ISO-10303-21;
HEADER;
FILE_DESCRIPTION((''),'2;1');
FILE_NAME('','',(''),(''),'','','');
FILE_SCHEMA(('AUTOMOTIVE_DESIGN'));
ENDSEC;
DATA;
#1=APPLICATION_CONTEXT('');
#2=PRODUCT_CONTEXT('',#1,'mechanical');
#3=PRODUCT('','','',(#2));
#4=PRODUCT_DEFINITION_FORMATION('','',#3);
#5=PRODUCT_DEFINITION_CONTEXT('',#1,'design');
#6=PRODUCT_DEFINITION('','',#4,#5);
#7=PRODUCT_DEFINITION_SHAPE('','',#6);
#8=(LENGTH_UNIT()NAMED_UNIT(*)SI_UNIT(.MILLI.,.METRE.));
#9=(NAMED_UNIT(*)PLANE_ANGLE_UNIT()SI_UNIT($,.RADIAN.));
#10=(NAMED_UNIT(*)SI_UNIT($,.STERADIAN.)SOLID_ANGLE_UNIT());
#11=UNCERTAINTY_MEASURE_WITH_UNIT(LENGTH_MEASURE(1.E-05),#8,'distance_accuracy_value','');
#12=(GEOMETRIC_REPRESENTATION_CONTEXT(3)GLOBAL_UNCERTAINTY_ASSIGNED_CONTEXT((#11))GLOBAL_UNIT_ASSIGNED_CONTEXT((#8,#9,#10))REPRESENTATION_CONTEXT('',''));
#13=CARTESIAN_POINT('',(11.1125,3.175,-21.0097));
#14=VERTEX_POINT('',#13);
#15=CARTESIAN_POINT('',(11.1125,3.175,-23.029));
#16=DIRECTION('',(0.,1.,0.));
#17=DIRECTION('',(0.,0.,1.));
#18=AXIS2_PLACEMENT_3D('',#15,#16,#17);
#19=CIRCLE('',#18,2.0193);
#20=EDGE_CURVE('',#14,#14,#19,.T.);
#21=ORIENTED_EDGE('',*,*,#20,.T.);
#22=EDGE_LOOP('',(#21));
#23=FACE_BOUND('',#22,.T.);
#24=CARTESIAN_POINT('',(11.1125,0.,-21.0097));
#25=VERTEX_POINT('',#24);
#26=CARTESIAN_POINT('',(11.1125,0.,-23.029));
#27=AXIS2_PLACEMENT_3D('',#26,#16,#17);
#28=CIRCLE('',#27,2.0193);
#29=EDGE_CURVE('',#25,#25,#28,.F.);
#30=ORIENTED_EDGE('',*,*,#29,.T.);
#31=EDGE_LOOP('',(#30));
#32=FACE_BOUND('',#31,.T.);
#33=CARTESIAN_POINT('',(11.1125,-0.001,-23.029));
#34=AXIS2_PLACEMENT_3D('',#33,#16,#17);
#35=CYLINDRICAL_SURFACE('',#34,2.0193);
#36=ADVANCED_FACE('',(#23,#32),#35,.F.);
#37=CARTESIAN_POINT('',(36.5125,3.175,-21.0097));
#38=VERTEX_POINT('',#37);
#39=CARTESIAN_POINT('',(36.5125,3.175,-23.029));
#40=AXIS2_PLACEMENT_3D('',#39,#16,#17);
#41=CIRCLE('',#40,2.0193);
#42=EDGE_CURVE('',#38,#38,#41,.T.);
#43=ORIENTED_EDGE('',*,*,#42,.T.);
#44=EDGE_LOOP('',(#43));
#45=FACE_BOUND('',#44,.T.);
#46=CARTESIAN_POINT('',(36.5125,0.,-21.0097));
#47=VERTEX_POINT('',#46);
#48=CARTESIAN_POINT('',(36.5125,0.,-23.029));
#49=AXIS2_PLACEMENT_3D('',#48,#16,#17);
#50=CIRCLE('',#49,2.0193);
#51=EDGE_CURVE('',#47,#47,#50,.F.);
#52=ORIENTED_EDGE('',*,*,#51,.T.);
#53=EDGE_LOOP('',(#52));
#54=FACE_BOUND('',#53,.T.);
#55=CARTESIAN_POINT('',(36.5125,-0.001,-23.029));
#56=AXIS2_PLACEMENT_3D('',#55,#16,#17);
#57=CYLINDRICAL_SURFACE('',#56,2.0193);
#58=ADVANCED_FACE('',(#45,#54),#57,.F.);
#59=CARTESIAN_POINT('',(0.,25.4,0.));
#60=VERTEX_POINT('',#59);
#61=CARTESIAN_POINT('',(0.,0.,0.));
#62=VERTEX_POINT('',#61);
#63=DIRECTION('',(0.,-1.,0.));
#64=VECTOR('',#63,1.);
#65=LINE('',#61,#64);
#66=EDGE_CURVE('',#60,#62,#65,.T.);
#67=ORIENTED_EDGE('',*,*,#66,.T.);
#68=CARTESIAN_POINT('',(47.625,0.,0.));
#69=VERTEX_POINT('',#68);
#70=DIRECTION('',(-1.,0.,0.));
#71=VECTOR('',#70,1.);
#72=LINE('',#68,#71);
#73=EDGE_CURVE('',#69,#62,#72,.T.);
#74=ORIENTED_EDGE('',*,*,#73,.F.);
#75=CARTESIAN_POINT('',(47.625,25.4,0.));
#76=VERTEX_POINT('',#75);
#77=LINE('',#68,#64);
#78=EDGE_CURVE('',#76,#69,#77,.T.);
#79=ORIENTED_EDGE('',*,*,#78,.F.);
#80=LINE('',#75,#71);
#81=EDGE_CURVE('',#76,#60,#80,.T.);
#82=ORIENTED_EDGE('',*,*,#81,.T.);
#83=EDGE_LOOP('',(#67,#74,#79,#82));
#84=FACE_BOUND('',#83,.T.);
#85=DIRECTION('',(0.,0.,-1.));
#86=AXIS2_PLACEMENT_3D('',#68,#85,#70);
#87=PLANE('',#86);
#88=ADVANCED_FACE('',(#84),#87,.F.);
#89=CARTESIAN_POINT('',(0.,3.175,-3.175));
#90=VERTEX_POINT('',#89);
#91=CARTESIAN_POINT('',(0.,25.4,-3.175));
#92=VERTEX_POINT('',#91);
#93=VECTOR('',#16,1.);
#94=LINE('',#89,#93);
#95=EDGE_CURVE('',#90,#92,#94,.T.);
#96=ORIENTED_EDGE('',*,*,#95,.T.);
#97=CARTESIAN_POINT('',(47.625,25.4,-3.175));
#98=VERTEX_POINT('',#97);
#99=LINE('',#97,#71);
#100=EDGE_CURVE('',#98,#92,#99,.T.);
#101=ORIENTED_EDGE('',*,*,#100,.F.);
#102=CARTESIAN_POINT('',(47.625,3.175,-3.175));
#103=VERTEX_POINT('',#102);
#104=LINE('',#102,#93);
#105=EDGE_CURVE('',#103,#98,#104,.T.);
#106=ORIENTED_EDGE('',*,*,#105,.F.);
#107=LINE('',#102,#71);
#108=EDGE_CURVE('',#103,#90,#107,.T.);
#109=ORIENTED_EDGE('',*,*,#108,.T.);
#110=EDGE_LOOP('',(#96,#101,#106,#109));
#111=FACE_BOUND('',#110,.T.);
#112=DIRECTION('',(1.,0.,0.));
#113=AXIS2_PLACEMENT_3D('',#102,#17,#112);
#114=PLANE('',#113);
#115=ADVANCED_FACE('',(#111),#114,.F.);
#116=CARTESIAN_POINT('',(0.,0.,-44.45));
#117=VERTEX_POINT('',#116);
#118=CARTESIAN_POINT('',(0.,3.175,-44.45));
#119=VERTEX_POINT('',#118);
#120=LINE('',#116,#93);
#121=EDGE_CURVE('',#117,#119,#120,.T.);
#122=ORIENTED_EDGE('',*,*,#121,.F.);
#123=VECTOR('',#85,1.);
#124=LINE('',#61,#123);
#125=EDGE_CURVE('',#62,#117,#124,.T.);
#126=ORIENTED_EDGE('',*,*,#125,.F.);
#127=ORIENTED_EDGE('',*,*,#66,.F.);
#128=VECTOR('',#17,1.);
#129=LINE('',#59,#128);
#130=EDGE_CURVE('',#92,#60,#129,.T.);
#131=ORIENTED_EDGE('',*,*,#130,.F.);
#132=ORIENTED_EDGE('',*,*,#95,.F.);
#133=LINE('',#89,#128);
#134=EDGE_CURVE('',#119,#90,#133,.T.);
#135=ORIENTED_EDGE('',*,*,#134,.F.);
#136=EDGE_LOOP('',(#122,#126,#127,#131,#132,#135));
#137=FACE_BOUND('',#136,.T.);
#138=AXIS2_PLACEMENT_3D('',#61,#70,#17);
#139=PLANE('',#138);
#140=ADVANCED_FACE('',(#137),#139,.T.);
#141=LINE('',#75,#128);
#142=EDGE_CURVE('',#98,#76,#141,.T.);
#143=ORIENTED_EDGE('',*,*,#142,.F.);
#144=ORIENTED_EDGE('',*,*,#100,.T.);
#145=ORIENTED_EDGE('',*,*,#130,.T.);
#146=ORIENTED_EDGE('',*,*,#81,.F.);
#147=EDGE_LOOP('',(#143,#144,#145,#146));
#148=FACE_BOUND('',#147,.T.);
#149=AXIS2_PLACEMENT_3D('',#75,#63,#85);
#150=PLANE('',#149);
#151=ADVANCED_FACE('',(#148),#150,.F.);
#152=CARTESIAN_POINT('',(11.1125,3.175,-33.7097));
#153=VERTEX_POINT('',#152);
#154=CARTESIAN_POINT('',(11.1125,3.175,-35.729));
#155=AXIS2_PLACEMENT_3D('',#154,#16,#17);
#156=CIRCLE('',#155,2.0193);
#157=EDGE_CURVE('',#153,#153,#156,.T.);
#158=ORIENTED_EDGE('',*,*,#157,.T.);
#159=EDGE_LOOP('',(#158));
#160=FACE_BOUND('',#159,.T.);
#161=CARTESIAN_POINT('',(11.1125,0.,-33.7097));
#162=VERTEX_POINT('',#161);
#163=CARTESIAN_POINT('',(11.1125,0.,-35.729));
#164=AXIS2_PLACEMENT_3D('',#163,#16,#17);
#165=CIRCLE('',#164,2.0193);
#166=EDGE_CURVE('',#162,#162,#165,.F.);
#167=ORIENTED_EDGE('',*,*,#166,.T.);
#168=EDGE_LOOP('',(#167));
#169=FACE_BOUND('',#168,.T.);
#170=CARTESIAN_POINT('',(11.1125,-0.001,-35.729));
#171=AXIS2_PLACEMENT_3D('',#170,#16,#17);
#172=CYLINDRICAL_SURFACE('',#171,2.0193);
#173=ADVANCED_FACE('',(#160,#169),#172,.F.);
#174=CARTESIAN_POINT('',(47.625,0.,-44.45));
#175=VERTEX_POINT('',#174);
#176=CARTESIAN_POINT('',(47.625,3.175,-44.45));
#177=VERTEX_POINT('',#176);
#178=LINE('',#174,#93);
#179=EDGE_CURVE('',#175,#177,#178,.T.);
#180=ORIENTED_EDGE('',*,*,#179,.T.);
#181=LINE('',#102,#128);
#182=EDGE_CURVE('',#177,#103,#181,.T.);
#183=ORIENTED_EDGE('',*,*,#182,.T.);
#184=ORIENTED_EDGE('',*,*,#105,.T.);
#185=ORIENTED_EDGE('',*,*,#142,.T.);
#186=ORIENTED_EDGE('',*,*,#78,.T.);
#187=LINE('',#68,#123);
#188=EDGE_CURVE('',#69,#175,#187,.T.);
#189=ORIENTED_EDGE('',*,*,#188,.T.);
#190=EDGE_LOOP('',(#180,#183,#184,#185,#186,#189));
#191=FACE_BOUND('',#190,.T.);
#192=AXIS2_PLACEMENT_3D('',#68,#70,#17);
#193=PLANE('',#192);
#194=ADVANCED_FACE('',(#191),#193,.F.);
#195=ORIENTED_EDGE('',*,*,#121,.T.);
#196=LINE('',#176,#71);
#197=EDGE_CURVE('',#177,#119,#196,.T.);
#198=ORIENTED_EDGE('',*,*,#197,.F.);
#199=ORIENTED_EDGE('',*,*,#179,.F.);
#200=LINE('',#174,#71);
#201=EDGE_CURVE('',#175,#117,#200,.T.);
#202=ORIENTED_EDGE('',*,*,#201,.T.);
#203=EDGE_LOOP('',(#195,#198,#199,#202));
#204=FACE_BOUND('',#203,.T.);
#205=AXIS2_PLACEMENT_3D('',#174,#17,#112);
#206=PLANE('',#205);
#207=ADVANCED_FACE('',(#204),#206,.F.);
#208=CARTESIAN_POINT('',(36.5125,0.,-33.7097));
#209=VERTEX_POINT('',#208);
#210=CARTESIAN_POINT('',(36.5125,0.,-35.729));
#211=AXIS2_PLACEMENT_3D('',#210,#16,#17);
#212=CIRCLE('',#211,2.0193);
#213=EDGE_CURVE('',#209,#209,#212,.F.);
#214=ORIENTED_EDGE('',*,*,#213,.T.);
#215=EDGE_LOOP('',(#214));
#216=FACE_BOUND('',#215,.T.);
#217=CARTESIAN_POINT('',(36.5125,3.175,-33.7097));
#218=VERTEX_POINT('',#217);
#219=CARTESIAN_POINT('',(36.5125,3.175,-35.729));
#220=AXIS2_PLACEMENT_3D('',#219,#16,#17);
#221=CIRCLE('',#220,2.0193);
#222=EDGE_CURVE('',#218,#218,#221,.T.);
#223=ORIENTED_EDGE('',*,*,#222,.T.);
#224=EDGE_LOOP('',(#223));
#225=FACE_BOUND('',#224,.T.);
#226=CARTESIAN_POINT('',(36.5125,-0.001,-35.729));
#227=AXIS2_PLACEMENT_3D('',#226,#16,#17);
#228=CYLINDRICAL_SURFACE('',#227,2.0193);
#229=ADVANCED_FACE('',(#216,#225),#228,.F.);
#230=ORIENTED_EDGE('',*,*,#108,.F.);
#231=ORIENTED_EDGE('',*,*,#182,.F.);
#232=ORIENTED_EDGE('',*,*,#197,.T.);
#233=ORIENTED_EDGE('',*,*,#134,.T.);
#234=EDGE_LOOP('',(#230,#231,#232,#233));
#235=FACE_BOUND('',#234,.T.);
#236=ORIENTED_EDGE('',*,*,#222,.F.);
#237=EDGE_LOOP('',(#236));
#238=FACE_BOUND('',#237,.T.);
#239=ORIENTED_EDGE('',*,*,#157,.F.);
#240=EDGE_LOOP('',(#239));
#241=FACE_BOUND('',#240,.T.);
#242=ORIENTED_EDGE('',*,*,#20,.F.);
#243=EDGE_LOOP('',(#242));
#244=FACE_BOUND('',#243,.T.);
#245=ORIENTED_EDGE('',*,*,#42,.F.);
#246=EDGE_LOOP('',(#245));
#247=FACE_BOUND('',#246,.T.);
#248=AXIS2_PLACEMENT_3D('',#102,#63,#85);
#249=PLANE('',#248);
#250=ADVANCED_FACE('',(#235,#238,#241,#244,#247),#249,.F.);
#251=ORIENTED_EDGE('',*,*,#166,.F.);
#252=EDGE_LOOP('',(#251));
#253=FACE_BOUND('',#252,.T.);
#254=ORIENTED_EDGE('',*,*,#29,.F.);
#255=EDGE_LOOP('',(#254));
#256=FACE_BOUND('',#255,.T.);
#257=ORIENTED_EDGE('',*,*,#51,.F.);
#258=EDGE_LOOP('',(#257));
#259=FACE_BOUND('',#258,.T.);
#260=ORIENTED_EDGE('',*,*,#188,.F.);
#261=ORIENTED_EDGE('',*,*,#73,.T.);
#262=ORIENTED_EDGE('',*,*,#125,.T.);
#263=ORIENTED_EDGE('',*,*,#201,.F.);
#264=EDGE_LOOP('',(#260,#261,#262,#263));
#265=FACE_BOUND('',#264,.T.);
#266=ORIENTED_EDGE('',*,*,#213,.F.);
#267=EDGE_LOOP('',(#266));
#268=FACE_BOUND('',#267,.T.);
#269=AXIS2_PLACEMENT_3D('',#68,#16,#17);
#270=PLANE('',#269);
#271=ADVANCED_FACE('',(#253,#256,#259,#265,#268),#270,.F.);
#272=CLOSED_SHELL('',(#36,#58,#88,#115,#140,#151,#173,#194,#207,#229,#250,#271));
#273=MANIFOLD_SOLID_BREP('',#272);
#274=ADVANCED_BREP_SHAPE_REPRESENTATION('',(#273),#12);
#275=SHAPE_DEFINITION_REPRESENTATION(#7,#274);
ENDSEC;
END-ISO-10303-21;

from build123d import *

# Parameters (mm, degrees)
BOSS_EXTRUDE1_DEPTH = 47.625
CUT_EXTRUDE1_REACH  = 5.175
SKETCH2_R           = 2.0193


with BuildPart() as part:
    # Sketch1 → Boss-Extrude1 (new body)
    with BuildSketch(Plane(origin=(0, 0, 0), x_dir=(0, 0, -1), z_dir=(1, 0, 0))):
        Polygon((3.175, 3.175), (3.175, 25.4), (0, 25.4), (0, 0), (44.45, 0), (44.45, 3.175), align=None)
    extrude(amount=BOSS_EXTRUDE1_DEPTH)

    # Sketch2 → Cut-Extrude1 (cut, up to next)
    with BuildSketch(Plane(origin=(0, 3.175, 0), x_dir=(1, 0, 0), z_dir=(0, 1, 0)), mode=Mode.PRIVATE) as cut_extrude1_sk1:
        with Locations((11.1125, 23.029)):
            Circle(SKETCH2_R)
    cut_extrude1_tool1 = extrude(cut_extrude1_sk1.sketch, amount=-CUT_EXTRUDE1_REACH, mode=Mode.PRIVATE) & part.part
    add(cut_extrude1_tool1.solids().sort_by_distance((11.1125, 3.175, -23.029))[0], mode=Mode.SUBTRACT)
    # Sketch2 → Cut-Extrude1 (cut, up to next)
    with BuildSketch(Plane(origin=(0, 3.175, 0), x_dir=(1, 0, 0), z_dir=(0, 1, 0)), mode=Mode.PRIVATE) as cut_extrude1_sk2:
        with Locations((11.1125, 35.729)):
            Circle(SKETCH2_R)
    cut_extrude1_tool2 = extrude(cut_extrude1_sk2.sketch, amount=-CUT_EXTRUDE1_REACH, mode=Mode.PRIVATE) & part.part
    add(cut_extrude1_tool2.solids().sort_by_distance((11.1125, 3.175, -35.729))[0], mode=Mode.SUBTRACT)
    # Sketch2 → Cut-Extrude1 (cut, up to next)
    with BuildSketch(Plane(origin=(0, 3.175, 0), x_dir=(1, 0, 0), z_dir=(0, 1, 0)), mode=Mode.PRIVATE) as cut_extrude1_sk3:
        with Locations((36.5125, 23.029)):
            Circle(SKETCH2_R)
    cut_extrude1_tool3 = extrude(cut_extrude1_sk3.sketch, amount=-CUT_EXTRUDE1_REACH, mode=Mode.PRIVATE) & part.part
    add(cut_extrude1_tool3.solids().sort_by_distance((36.5125, 3.175, -23.029))[0], mode=Mode.SUBTRACT)
    # Sketch2 → Cut-Extrude1 (cut, up to next)
    with BuildSketch(Plane(origin=(0, 3.175, 0), x_dir=(1, 0, 0), z_dir=(0, 1, 0)), mode=Mode.PRIVATE) as cut_extrude1_sk4:
        with Locations((36.5125, 35.729)):
            Circle(SKETCH2_R)
    cut_extrude1_tool4 = extrude(cut_extrude1_sk4.sketch, amount=-CUT_EXTRUDE1_REACH, mode=Mode.PRIVATE) & part.part
    add(cut_extrude1_tool4.solids().sort_by_distance((36.5125, 3.175, -35.729))[0], mode=Mode.SUBTRACT)


solid = part.part
